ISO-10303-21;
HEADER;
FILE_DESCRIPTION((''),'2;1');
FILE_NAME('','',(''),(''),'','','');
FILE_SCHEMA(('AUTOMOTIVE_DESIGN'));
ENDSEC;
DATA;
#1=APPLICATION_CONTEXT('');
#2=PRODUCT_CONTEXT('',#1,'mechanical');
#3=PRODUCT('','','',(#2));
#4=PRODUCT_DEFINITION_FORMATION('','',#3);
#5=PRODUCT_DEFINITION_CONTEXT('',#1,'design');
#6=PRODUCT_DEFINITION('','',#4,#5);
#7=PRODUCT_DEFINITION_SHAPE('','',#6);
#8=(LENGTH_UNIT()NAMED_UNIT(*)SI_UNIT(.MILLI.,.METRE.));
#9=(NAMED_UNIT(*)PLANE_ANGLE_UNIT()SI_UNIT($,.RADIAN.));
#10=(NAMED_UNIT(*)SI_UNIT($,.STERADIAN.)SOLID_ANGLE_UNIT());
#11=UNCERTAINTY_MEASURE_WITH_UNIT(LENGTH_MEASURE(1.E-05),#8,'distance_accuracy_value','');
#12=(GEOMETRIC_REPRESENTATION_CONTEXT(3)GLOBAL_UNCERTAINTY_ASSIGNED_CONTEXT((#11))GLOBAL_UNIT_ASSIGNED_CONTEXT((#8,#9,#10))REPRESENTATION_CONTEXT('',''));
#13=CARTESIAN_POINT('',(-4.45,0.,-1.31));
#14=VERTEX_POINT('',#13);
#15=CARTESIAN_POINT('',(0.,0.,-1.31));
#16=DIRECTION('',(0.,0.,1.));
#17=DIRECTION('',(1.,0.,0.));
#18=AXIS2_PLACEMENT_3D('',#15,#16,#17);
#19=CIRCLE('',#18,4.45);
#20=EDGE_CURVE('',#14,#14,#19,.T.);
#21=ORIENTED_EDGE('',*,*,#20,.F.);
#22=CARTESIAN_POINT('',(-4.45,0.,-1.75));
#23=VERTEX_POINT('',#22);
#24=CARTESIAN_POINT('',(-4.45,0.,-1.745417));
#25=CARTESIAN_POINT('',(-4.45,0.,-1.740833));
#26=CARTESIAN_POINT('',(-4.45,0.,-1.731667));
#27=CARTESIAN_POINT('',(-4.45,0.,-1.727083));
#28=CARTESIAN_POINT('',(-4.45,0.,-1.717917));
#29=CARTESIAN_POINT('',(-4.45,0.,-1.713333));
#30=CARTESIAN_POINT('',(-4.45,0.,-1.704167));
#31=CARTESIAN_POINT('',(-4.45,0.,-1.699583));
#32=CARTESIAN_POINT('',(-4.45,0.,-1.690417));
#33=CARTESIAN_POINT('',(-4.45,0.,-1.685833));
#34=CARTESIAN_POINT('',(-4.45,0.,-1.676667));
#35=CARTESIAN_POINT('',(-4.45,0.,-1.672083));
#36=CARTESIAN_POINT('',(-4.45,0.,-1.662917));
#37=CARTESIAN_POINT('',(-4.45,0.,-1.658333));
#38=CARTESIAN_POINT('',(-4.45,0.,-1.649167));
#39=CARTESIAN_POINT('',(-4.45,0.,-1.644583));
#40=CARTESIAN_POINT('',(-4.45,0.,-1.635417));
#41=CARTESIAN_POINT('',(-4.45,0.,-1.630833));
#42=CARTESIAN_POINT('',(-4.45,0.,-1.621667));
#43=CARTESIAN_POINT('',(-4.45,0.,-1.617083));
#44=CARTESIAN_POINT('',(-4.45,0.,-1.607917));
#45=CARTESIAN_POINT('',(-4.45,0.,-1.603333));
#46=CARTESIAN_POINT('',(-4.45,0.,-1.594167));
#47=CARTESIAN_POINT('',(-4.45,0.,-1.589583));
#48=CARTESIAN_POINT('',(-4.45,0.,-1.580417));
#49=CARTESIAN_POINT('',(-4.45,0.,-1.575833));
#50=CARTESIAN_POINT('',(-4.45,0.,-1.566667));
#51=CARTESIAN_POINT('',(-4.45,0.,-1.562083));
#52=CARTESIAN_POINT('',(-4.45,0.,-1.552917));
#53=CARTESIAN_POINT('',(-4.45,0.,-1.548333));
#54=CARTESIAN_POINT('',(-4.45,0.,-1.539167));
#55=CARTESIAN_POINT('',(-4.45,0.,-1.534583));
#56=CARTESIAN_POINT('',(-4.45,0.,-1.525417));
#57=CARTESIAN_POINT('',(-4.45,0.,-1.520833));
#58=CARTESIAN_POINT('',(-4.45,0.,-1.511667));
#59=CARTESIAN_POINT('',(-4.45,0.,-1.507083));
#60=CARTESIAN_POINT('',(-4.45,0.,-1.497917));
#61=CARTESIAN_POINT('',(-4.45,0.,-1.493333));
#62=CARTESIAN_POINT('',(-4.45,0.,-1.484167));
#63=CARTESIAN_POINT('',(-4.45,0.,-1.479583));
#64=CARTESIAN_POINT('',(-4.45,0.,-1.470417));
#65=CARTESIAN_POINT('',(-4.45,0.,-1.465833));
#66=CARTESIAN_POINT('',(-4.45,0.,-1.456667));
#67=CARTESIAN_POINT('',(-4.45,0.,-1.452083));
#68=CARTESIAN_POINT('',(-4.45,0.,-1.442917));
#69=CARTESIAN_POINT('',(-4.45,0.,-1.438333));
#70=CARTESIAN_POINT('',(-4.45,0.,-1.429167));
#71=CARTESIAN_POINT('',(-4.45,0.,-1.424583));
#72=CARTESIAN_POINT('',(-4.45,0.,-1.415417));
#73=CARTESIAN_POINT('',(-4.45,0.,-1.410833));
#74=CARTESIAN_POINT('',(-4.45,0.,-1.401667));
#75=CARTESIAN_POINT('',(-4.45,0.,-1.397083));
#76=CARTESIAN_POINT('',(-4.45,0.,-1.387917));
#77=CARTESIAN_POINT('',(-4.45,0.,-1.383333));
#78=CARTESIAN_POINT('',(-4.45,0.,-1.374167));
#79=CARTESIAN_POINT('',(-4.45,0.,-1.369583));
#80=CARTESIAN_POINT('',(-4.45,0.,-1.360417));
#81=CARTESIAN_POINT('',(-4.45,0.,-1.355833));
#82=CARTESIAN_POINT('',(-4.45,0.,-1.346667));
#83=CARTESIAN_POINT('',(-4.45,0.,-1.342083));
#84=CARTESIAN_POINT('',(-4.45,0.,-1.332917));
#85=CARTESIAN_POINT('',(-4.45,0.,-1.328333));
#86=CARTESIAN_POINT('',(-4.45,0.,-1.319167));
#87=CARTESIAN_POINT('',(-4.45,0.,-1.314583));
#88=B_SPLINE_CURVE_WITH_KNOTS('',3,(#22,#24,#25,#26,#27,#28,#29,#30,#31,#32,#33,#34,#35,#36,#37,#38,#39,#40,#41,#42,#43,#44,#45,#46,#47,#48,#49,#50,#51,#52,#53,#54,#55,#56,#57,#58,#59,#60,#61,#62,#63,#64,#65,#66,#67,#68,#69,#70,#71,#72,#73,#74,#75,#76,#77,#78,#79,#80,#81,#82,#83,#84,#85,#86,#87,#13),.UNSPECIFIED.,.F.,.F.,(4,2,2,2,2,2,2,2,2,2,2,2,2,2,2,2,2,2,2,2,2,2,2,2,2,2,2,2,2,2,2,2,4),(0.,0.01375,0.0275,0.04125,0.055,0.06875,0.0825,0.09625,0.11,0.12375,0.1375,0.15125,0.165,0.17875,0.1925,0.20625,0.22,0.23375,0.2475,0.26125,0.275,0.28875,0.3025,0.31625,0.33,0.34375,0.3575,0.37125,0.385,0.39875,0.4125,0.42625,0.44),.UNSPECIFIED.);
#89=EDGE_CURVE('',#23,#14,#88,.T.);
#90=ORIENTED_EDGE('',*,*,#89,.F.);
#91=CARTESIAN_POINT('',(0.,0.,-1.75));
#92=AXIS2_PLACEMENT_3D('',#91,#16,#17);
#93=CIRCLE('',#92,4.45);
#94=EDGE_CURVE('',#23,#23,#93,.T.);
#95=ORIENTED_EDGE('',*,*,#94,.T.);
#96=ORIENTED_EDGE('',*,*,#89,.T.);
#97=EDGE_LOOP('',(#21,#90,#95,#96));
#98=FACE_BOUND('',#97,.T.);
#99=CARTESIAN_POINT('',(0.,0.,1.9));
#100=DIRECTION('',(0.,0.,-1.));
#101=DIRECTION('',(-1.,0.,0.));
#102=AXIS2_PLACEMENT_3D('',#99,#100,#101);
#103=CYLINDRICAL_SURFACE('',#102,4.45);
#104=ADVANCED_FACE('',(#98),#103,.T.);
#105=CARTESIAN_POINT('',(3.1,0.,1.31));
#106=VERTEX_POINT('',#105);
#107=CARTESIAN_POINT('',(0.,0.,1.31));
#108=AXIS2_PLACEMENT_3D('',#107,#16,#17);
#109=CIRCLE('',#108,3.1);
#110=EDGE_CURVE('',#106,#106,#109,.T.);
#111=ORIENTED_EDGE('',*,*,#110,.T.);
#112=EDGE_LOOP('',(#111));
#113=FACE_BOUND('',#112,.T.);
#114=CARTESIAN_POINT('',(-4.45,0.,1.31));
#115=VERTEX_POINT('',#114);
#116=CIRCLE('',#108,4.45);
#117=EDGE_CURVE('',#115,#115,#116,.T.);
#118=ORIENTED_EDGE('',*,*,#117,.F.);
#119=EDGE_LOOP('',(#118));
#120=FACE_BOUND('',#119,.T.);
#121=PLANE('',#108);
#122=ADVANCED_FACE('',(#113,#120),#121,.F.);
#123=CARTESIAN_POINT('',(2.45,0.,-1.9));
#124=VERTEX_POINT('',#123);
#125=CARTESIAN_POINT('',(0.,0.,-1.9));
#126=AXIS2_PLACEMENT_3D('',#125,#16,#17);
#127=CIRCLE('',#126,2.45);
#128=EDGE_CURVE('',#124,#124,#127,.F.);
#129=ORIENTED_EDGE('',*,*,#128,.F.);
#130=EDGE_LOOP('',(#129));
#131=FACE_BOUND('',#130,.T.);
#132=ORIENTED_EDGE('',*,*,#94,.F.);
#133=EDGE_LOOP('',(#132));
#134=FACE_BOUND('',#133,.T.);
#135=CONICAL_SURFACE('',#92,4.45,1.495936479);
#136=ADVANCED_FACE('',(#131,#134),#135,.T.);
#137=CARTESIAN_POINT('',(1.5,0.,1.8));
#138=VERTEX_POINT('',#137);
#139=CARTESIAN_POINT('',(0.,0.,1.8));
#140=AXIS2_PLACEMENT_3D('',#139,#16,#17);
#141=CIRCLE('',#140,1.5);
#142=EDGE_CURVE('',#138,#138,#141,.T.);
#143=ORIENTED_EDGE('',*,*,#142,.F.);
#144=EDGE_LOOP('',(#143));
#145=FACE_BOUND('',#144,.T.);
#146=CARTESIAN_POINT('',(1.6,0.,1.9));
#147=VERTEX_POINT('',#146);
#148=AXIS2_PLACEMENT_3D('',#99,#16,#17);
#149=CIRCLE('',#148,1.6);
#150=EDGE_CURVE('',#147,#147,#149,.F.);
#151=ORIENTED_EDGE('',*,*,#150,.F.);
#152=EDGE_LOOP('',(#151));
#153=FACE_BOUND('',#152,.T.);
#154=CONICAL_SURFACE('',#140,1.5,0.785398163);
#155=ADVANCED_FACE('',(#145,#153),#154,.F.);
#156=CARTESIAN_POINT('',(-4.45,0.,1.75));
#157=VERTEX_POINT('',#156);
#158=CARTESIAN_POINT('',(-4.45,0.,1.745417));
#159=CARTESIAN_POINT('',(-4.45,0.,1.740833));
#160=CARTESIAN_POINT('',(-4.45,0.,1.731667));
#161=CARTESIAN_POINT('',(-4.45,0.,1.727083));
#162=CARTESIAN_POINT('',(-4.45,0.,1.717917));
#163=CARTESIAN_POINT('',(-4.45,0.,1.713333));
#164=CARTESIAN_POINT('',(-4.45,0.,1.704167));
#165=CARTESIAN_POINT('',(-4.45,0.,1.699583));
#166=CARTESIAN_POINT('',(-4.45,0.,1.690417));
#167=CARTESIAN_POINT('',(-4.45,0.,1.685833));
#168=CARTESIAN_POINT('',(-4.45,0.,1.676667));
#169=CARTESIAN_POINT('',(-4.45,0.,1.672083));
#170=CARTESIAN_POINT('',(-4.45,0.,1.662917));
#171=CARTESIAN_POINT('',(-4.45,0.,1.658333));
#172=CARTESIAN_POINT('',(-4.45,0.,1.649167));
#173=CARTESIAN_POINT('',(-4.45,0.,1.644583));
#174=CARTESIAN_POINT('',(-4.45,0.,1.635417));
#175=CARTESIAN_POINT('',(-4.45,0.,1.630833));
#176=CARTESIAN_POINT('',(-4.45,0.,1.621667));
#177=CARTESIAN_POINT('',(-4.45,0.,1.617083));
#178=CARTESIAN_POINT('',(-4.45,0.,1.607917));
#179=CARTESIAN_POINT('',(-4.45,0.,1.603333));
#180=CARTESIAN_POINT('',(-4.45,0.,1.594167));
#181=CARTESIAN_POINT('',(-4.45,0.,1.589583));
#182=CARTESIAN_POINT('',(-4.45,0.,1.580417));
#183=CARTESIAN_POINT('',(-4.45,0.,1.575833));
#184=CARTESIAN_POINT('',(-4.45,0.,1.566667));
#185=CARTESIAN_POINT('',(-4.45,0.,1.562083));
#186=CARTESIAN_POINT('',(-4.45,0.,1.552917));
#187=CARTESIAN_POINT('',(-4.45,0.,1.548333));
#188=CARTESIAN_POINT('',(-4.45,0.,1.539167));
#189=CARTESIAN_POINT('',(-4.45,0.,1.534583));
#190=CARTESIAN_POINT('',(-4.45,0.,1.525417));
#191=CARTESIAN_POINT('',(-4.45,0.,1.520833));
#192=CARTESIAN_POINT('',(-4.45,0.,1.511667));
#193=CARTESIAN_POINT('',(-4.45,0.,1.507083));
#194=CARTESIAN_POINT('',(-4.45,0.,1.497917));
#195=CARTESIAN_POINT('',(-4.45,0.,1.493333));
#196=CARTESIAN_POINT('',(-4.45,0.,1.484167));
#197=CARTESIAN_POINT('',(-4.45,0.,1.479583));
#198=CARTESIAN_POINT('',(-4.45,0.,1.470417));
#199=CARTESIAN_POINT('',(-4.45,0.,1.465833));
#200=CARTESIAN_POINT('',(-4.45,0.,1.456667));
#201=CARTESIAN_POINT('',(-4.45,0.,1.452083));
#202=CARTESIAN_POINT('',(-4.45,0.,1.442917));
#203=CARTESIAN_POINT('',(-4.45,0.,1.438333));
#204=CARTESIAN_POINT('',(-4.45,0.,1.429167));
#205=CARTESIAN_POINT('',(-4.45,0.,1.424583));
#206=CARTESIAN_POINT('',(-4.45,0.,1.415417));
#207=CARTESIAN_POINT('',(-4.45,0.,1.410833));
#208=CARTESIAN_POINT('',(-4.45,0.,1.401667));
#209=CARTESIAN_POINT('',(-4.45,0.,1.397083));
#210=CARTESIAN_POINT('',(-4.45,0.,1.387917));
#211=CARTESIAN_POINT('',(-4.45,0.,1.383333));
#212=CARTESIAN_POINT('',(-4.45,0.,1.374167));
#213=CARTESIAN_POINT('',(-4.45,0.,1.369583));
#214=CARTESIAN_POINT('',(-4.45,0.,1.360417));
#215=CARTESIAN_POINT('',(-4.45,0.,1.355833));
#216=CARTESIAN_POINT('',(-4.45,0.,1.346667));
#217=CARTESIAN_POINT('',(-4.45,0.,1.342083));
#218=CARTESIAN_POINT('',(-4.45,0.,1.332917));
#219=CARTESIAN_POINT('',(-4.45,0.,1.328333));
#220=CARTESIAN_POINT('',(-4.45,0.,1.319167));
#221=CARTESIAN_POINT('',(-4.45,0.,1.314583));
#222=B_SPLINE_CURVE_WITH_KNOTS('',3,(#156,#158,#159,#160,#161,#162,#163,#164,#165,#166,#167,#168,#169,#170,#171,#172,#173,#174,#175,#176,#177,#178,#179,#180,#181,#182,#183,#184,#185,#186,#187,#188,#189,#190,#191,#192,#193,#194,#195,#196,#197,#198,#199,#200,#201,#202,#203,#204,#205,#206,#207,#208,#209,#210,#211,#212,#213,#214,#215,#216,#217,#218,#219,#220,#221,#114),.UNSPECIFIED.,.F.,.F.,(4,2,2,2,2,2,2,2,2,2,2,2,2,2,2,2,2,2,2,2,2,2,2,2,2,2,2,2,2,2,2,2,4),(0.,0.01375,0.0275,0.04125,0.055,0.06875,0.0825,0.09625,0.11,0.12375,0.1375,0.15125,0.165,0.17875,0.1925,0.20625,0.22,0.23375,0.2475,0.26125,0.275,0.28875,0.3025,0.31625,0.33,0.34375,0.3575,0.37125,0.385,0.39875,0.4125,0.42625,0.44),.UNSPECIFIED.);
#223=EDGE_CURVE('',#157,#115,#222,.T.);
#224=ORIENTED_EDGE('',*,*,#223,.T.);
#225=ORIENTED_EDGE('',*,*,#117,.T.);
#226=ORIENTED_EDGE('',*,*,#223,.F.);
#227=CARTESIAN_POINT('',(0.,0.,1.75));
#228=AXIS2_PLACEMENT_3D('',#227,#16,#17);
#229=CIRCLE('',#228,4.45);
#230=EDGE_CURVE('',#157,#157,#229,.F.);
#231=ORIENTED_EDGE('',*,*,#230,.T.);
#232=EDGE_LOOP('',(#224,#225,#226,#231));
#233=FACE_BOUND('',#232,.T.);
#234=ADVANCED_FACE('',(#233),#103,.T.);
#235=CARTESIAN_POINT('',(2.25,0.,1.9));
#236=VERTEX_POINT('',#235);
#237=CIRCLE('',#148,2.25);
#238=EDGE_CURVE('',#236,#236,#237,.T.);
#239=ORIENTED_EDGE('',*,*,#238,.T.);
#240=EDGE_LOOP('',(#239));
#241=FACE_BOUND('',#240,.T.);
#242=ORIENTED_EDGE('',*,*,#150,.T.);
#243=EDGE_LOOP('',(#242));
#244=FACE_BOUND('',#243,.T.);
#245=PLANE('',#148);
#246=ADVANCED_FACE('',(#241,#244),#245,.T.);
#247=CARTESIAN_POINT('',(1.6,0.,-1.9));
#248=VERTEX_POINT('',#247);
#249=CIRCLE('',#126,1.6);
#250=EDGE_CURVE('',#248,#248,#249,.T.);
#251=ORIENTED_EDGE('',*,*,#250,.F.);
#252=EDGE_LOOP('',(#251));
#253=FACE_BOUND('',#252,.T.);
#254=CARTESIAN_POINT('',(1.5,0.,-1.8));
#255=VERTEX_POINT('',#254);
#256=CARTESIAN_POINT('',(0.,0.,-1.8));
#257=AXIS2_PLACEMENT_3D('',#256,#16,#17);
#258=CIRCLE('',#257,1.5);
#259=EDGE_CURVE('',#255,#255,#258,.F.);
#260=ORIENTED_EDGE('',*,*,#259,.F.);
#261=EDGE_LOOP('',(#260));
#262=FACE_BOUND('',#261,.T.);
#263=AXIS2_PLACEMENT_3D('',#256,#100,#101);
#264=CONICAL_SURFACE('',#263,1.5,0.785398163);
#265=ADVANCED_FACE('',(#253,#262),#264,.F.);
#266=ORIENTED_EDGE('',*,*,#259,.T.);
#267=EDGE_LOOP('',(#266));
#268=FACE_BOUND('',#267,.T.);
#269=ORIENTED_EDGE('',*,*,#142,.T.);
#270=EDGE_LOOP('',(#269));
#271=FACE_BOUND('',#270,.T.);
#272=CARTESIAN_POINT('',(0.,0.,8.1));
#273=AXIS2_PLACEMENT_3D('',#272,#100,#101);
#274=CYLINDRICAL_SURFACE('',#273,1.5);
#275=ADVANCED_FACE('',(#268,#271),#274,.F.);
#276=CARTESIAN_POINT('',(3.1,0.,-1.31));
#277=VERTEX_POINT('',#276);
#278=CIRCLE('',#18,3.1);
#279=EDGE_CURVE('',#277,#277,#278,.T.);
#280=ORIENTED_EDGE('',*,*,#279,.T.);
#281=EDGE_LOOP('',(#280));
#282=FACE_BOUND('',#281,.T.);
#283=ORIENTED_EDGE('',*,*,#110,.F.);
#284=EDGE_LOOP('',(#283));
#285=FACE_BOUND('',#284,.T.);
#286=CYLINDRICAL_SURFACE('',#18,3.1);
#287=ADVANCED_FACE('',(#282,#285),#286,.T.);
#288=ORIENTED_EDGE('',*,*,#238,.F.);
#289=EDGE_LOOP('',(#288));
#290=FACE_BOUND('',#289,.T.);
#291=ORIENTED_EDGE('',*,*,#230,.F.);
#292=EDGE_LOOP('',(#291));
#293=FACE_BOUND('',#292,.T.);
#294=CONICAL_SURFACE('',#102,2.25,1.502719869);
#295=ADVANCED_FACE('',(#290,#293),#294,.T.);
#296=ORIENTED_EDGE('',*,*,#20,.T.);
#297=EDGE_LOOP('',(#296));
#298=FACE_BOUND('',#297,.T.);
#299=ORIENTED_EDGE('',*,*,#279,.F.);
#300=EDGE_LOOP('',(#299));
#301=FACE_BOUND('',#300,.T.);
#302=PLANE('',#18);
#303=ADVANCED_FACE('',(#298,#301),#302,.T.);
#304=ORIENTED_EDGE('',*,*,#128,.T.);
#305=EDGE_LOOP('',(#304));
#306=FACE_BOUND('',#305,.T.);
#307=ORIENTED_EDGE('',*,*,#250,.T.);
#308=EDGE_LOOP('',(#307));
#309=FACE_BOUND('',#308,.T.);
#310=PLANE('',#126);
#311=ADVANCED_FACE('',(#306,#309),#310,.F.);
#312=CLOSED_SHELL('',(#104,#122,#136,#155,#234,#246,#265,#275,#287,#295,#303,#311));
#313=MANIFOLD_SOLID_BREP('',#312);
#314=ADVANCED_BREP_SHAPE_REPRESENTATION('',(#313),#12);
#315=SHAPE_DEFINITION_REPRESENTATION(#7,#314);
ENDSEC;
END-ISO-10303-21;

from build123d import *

# Parameters (mm, degrees)
SKETCH_1_R          = 4.45
EXTRUDE_1_DEPTH     = 1.9
SKETCH_2_R          = 4.45
SKETCH_2_R_2        = 3.1
CUT_EXTRUDE_2_DEPTH = 1.31
SKETCH_3_R          = 1
CUT_EXTRUDE_3_DEPTH = 3.8
CHAMFER_1_SIZE      = 0.25
CHAMFER_2_SIZE      = 2
CHAMFER_2_SIZE2     = 0.15
CHAMFER_3_SIZE      = 0.15
CHAMFER_3_SIZE2     = 2.2
SKETCH_4_R          = 1.5
CUT_EXTRUDE_1_DEPTH = 10
CHAMFER_4_SIZE      = 0.1


with BuildPart() as part:
    # 草图1 → 拉伸1 (new, symmetric)
    with BuildSketch(Plane.XY):
        with Locations(Location((0, 0, 0), (0, 0, 180))):
            Circle(SKETCH_1_R)
    extrude(amount=EXTRUDE_1_DEPTH, both=True)

    # 草图2 → 拉伸2 (cut, symmetric)
    with BuildSketch(Plane.XY):
        with Locations(Location((0, 0, 0), (0, 0, 180))):
            Circle(SKETCH_2_R)
        Circle(SKETCH_2_R_2, mode=Mode.SUBTRACT)
    extrude(amount=CUT_EXTRUDE_2_DEPTH, both=True, mode=Mode.SUBTRACT)

    # 草图3 → 拉伸3 (cut)
    with BuildSketch(Plane.XY.offset(1.9)):
        Circle(SKETCH_3_R)
    extrude(amount=-CUT_EXTRUDE_3_DEPTH, mode=Mode.SUBTRACT)

    # 倒角1
    chamfer_1_edges = [part.edges().sort_by_distance(p)[0] for p in [
        (-1, 0, 1.9),
        (-1, 0, -1.9),
    ]]
    chamfer(chamfer_1_edges, length=CHAMFER_1_SIZE)

    # 倒角2
    chamfer_2_edges = [part.edges().sort_by_distance(p)[0] for p in [
        (4.45, 0, -1.9),
    ]]
    chamfer_2_side = [part.faces().sort_by_distance(p)[0] for p in [
        (-1.375865007, 0, -1.9),
    ]]
    chamfer(chamfer_2_edges, length=CHAMFER_2_SIZE, length2=CHAMFER_2_SIZE2, reference=chamfer_2_side[0])

    # 倒角3
    chamfer_3_edges = [part.edges().sort_by_distance(p)[0] for p in [
        (4.45, 0, 1.9),
    ]]
    chamfer_3_side = [part.faces().sort_by_distance(p)[0] for p in [
        (4.45, 0, 1.605),
    ]]
    chamfer(chamfer_3_edges, length=CHAMFER_3_SIZE, length2=CHAMFER_3_SIZE2, reference=chamfer_3_side[0])

    # 草图4 → 切除-拉伸1 (cut)
    with BuildSketch(Plane(origin=(0, 0, -1.9), x_dir=(-1, 0, 0), z_dir=(0, 0, -1))):
        Circle(SKETCH_4_R)
    extrude(amount=-CUT_EXTRUDE_1_DEPTH, mode=Mode.SUBTRACT)

    # 倒角4
    chamfer_4_edges = [part.edges().sort_by_distance(p)[0] for p in [
        (1.5, 0, 1.9),
        (1.5, 0, -1.9),
    ]]
    chamfer(chamfer_4_edges, length=CHAMFER_4_SIZE)


solid = part.part
